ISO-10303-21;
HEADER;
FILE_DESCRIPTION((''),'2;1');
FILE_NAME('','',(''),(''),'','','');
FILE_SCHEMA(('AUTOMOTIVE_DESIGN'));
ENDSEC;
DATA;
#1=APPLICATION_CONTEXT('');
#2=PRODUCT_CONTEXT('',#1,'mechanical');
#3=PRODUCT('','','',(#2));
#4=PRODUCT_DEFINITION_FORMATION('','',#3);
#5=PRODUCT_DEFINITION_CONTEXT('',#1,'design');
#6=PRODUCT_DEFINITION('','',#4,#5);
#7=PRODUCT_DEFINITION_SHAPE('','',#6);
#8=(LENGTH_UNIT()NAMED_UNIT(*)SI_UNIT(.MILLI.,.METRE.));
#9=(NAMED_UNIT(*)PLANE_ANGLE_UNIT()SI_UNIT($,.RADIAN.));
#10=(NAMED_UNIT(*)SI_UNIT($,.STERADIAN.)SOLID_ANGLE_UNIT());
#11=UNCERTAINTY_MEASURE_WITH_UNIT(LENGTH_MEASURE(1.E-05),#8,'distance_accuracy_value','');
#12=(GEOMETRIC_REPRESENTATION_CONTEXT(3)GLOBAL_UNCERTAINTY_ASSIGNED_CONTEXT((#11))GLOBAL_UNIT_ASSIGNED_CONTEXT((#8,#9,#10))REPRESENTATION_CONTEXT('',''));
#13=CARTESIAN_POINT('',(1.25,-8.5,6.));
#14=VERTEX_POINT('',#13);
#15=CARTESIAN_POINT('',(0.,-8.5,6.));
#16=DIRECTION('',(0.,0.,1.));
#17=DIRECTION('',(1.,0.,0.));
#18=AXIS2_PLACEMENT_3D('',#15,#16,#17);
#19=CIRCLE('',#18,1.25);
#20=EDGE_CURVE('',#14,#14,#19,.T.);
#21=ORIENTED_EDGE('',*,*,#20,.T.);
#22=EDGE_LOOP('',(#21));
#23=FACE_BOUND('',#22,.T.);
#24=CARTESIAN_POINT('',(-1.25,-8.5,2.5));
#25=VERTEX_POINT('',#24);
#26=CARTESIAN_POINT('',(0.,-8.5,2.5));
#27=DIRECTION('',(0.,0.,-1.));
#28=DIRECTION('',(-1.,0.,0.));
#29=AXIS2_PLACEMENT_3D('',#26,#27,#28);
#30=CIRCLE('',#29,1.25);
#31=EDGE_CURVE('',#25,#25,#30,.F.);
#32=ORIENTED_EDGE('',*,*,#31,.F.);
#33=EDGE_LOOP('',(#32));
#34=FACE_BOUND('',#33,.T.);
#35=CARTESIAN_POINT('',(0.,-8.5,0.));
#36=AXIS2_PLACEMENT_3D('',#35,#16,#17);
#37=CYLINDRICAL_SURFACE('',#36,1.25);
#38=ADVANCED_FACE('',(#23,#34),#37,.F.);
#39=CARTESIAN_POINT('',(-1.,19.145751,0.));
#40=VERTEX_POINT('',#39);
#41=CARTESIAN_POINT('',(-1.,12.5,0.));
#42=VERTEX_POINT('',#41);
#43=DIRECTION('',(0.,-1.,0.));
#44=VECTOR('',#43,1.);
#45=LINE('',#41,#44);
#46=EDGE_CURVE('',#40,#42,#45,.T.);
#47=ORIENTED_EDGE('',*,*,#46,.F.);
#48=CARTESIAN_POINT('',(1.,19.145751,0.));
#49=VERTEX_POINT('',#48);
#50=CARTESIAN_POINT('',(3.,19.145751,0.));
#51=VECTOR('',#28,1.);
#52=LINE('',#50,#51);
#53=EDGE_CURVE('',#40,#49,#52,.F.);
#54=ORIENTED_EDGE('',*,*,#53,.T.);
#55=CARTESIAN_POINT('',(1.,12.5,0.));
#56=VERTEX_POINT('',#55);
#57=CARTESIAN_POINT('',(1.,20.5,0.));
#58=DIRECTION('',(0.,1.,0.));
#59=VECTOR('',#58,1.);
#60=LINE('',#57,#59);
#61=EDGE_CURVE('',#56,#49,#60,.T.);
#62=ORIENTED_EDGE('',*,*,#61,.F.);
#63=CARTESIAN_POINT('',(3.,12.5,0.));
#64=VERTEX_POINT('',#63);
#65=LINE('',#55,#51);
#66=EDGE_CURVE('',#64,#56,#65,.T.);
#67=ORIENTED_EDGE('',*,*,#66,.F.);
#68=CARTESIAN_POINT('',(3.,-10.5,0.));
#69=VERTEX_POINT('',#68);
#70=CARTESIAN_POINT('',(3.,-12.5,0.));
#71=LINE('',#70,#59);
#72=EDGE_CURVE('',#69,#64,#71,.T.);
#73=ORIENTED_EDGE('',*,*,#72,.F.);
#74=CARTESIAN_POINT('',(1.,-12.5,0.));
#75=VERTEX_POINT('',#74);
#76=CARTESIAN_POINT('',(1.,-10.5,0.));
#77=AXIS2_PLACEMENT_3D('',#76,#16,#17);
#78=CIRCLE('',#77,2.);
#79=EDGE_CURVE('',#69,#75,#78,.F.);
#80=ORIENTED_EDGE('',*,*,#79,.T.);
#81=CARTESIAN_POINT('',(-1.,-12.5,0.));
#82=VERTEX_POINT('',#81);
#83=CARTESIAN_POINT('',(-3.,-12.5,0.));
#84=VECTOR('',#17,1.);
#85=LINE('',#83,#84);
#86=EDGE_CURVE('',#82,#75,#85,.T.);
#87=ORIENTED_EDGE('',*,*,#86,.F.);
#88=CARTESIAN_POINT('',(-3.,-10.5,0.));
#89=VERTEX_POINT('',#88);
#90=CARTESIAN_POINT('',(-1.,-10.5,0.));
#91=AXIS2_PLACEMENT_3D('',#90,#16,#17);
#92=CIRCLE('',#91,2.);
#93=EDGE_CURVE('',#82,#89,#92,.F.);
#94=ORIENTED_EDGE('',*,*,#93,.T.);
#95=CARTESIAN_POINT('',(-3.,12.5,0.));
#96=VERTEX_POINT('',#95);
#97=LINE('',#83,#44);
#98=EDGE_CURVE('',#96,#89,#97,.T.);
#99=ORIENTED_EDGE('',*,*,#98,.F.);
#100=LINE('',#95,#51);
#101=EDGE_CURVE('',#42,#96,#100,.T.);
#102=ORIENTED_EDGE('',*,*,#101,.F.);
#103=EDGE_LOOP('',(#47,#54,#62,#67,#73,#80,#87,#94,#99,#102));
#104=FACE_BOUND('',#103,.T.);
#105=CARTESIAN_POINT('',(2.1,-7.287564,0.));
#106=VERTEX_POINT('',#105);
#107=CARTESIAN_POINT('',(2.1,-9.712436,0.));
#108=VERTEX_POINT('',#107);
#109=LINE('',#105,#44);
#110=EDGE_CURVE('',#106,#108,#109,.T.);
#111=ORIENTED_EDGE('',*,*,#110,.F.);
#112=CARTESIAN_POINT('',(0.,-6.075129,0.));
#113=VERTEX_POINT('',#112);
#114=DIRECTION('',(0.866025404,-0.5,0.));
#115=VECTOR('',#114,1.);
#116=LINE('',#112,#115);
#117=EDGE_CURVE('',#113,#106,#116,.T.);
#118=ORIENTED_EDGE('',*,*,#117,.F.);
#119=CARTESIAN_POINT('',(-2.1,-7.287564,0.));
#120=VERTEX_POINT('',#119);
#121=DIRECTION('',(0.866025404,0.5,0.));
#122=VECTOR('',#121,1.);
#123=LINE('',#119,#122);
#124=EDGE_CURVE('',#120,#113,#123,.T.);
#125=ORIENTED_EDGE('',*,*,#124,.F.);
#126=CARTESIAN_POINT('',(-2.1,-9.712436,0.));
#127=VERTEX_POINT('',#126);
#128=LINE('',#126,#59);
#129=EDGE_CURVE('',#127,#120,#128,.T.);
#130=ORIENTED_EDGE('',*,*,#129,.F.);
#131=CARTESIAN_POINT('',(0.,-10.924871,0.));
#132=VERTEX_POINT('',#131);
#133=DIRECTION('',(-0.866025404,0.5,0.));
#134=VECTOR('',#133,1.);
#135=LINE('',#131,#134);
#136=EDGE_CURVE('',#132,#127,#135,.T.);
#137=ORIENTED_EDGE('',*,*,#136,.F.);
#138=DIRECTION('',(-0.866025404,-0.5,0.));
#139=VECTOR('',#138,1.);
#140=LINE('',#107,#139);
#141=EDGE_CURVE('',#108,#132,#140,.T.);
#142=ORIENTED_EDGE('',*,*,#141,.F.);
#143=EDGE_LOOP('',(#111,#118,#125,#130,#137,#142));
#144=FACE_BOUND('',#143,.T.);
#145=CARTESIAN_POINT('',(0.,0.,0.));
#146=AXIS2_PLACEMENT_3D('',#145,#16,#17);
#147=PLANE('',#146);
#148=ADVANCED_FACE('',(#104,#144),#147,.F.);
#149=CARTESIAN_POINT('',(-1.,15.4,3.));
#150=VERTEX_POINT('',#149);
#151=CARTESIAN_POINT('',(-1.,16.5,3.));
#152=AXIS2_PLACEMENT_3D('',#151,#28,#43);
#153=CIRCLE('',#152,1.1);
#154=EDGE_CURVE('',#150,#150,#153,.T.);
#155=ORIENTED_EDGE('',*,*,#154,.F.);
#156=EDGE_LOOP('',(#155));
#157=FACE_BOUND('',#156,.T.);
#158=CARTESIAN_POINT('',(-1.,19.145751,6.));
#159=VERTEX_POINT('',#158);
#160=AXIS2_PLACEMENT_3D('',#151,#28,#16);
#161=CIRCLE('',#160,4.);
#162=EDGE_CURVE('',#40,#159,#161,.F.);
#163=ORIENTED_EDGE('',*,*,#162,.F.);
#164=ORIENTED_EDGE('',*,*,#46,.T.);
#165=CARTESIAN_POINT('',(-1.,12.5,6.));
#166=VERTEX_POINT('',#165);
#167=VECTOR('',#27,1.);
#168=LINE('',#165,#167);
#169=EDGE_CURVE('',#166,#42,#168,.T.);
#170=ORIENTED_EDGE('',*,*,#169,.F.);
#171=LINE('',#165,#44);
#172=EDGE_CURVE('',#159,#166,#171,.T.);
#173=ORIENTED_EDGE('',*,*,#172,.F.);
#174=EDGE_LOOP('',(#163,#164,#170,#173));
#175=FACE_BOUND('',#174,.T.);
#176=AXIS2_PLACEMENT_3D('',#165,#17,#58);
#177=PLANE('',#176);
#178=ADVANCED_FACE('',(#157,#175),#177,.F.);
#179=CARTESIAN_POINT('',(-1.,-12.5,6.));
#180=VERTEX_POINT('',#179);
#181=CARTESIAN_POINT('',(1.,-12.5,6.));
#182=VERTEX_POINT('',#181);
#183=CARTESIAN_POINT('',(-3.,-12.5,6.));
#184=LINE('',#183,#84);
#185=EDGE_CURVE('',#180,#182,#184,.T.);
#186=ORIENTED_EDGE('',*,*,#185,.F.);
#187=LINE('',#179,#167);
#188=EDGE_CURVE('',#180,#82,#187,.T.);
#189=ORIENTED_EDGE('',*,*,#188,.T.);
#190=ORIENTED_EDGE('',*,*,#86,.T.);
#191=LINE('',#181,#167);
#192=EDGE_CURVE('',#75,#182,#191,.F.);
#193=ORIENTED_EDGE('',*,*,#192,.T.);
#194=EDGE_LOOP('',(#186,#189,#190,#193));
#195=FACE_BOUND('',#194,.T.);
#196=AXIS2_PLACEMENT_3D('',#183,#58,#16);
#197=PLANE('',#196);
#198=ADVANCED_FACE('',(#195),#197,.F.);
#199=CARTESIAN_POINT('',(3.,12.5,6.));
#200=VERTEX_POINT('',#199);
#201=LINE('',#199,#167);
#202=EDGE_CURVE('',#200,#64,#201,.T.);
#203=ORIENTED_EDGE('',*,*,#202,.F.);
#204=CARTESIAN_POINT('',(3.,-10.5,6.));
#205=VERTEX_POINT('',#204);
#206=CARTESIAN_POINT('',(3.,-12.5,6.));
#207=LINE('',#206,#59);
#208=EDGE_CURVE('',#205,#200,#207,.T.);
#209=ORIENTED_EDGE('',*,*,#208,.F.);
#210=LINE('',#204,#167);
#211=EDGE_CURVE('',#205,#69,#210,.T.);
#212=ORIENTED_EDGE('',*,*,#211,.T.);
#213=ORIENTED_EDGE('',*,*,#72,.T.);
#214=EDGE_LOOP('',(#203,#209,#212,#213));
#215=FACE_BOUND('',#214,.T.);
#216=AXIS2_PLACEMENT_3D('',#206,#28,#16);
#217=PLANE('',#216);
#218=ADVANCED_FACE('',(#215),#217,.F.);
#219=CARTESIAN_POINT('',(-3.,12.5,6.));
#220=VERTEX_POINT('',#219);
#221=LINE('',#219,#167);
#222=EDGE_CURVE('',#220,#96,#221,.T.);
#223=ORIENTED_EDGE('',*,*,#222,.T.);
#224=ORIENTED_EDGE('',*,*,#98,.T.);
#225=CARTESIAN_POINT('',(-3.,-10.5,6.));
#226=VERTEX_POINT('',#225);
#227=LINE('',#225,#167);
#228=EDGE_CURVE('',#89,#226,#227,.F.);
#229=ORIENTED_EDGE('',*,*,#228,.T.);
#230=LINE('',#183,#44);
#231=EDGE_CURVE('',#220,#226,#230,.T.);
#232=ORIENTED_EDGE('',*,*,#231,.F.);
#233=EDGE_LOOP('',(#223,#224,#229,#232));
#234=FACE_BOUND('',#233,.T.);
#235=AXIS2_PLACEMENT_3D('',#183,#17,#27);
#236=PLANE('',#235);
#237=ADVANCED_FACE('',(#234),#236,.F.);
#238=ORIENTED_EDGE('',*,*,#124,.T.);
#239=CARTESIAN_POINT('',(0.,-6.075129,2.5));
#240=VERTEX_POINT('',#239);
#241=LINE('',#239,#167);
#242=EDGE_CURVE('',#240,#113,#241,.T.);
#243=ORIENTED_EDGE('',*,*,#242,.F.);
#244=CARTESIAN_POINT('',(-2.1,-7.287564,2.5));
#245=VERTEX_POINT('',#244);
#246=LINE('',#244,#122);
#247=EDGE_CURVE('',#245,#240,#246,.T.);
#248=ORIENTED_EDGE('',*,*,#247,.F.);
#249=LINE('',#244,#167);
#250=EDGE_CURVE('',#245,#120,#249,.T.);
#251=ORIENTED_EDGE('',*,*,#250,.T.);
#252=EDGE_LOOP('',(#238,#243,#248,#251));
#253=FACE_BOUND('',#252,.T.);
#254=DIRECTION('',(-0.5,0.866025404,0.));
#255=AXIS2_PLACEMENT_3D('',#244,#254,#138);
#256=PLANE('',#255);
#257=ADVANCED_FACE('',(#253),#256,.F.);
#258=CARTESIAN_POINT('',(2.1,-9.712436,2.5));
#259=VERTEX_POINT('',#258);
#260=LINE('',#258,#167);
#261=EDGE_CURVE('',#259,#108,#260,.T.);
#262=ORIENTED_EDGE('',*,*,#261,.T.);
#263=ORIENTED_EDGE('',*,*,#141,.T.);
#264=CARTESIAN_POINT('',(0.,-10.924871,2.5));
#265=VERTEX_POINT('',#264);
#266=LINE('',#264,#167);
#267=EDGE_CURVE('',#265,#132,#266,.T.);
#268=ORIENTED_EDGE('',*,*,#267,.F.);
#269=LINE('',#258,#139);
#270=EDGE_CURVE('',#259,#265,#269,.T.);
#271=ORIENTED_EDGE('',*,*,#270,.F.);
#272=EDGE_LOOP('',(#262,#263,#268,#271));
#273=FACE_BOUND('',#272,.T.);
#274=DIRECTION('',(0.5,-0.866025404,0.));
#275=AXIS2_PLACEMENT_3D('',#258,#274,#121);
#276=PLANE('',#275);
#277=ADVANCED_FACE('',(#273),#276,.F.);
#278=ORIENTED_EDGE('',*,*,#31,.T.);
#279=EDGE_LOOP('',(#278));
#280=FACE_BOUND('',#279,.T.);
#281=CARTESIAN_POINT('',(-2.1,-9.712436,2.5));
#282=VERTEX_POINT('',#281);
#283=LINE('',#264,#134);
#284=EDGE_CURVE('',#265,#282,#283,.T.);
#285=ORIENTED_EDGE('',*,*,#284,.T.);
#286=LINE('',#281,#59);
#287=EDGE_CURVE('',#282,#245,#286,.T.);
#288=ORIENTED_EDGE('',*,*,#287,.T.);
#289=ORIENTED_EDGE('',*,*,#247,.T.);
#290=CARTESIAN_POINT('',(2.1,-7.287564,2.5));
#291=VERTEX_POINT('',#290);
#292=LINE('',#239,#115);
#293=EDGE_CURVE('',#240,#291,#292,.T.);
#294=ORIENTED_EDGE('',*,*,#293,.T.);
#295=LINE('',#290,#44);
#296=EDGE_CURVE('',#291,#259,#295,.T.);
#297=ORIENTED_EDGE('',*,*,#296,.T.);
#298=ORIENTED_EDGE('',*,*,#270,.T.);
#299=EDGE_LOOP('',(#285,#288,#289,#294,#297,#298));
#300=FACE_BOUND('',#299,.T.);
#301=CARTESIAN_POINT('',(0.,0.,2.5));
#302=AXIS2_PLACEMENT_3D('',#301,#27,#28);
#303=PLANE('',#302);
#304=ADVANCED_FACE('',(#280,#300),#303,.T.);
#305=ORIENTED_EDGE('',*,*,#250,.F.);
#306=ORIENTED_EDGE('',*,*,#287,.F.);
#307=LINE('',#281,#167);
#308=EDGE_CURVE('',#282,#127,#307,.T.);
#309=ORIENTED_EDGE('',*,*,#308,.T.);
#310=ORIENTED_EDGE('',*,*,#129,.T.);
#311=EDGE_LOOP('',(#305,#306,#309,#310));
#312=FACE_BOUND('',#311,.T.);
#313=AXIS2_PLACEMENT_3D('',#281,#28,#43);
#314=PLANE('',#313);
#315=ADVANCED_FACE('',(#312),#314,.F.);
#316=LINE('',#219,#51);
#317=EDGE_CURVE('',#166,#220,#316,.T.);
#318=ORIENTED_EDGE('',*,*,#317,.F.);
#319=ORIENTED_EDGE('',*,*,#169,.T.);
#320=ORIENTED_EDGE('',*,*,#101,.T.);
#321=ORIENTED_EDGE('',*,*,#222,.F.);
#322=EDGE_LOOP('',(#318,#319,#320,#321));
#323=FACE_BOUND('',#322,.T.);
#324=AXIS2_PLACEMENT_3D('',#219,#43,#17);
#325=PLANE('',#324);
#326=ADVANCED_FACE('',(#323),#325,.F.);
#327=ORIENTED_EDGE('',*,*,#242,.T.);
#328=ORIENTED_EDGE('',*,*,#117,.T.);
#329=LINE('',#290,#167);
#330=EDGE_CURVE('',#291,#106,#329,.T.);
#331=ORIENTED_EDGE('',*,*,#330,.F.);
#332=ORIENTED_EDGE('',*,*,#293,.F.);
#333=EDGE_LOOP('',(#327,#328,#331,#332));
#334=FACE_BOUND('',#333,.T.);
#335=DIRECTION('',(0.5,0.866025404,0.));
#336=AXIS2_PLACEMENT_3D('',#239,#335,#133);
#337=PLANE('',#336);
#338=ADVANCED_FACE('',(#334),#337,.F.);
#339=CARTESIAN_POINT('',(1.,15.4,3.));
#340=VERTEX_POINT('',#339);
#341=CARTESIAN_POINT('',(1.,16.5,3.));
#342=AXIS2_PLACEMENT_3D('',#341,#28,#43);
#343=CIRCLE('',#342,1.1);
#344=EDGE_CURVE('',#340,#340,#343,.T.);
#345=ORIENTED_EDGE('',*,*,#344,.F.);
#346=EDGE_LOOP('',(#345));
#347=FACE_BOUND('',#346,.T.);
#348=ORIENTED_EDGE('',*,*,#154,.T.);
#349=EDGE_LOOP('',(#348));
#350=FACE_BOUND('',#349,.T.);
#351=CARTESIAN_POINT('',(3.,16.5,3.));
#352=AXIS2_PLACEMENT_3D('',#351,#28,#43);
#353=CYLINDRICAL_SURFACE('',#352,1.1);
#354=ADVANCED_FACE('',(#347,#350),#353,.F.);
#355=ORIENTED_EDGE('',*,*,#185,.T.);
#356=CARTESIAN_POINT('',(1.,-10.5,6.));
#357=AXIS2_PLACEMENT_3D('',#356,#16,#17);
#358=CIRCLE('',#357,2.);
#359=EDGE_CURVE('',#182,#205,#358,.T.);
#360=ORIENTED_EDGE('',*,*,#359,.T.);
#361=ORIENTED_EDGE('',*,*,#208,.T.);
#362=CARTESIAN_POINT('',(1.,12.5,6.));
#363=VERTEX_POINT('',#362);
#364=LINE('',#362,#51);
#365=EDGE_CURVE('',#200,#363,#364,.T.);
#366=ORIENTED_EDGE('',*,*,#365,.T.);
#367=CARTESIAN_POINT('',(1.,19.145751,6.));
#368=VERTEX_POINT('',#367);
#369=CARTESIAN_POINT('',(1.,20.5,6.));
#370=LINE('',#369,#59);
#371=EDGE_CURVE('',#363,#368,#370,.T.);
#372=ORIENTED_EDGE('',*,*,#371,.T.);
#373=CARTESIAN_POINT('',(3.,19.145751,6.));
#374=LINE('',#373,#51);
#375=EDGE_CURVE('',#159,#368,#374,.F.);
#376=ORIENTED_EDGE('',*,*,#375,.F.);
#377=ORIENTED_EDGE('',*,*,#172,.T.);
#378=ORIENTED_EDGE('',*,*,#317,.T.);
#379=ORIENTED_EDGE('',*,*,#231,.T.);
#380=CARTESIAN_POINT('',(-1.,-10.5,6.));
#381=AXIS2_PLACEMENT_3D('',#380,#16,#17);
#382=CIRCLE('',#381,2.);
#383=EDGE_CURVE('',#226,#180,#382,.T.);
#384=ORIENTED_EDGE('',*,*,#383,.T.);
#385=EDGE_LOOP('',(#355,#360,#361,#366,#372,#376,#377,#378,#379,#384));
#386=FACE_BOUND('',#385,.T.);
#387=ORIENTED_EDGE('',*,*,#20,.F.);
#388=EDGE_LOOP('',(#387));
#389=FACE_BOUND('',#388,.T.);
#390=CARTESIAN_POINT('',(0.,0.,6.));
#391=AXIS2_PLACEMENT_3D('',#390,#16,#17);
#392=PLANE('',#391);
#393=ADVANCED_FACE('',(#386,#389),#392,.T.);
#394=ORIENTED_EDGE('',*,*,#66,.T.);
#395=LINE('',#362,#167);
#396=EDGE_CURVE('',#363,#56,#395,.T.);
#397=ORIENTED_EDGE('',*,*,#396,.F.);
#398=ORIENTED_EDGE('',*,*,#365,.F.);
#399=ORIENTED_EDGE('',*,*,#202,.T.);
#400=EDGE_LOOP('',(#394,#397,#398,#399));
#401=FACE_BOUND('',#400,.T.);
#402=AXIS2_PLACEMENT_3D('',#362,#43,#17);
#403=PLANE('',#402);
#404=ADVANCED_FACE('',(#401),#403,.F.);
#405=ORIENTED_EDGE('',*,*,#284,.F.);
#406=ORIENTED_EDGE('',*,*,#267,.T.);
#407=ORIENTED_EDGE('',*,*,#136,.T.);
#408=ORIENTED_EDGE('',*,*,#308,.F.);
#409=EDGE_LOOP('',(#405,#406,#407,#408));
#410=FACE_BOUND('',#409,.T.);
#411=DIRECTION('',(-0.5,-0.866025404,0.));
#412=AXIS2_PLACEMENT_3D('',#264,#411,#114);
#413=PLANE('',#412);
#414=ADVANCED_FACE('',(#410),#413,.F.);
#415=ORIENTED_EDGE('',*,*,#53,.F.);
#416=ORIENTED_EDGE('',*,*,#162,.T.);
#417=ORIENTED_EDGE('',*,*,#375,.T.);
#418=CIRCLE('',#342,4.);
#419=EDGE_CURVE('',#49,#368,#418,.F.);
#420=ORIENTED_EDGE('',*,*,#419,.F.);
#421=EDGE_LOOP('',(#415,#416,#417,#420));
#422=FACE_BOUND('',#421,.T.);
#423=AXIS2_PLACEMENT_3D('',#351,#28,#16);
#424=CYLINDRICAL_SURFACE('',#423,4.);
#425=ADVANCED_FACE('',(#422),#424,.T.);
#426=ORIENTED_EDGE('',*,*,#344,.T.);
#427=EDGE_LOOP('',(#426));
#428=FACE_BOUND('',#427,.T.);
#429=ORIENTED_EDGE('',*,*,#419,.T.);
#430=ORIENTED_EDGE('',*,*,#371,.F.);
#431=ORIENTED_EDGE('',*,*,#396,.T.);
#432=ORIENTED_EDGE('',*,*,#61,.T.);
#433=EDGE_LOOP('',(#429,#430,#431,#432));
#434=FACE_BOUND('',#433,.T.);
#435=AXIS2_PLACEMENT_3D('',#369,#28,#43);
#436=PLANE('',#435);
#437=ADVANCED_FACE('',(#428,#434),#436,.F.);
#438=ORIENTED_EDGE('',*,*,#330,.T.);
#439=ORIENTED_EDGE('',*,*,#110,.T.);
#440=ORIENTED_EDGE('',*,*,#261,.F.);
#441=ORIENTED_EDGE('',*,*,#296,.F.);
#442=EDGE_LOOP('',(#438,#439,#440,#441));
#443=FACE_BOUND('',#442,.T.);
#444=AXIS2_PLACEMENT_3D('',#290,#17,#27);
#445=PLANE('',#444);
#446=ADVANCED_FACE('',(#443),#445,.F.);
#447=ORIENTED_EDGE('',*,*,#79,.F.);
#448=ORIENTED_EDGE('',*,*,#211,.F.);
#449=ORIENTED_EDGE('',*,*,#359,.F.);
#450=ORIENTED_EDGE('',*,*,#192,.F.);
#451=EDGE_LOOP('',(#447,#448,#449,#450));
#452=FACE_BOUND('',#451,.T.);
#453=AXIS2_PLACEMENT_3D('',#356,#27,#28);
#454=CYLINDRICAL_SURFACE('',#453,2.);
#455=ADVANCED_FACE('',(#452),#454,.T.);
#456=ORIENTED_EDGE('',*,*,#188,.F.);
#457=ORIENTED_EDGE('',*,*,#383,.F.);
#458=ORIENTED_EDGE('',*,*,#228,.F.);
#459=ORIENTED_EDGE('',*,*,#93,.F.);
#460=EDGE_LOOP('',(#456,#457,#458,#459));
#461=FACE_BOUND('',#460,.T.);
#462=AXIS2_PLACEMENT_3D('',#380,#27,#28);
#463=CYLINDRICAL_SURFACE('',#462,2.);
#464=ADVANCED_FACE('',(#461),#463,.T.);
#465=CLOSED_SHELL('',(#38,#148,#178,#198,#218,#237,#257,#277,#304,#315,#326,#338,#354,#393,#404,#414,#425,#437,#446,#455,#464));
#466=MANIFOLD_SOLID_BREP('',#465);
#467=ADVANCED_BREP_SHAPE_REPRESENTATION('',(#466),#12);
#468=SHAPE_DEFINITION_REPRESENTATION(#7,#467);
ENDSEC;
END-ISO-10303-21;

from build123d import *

# Parameters (mm, degrees)
BOSS_EXTRUDE1_DEPTH = 6
SKETCH2_R           = 1.25
CUT_EXTRUDE1_DEPTH  = 22.56965461
CUT_EXTRUDE2_DEPTH  = 2.5
SKETCH4_R           = 1.1
CUT_EXTRUDE3_DEPTH  = 22.731313812
CUT_EXTRUDE4_DEPTH  = 22.731313812
FILLET1_R           = 2


with BuildPart() as part:
    # Sketch1 → Boss-Extrude1 (new body)
    with BuildSketch(Plane.XY):
        Polygon((-1, 12.5), (-1, 20.5), (1, 20.5), (1, 12.5), (3, 12.5), (3, -12.5), (-3, -12.5), (-3, 12.5), align=None)
    extrude(amount=BOSS_EXTRUDE1_DEPTH)

    # Sketch2 → Cut-Extrude1 (cut, through all)
    with BuildSketch(Plane.XY.offset(6)):
        with Locations((0, -8.5)):
            Circle(SKETCH2_R)
    extrude(amount=-CUT_EXTRUDE1_DEPTH, mode=Mode.SUBTRACT)

    # Sketch3 → Cut-Extrude2 (cut)
    with BuildSketch(Plane(origin=(0, 0, 0), x_dir=(-1, 0, 0), z_dir=(0, 0, -1))):
        Polygon((0, -6.075128869), (-2.1, -7.287564435), (-2.1, -9.712435565), (0, -10.924871131), (2.1, -9.712435565), (2.1, -7.287564435), align=None)
    extrude(amount=-CUT_EXTRUDE2_DEPTH, mode=Mode.SUBTRACT)

    # Sketch4 → Cut-Extrude3 (cut, through all)
    with BuildSketch(Plane.ZY.offset(1)):
        with Locations(Location((3, 16.5, 0), (0, 0, 270))):
            Circle(SKETCH4_R)
    extrude(amount=-CUT_EXTRUDE3_DEPTH, mode=Mode.SUBTRACT)

    # Sketch5 → Cut-Extrude4 (cut, through all)
    with BuildSketch(Plane.ZY.offset(1)):
        with BuildLine():
            Line((6, 20.5), (3, 20.5))
            ThreePointArc((3, 20.5), (4.645751311, 20.145751311), (6, 19.145751311))
            Line((6, 19.145751311), (6, 20.5))
        make_face()
        with BuildLine():
            Line((0, 20.5), (0, 19.145751311))
            ThreePointArc((0, 19.145751311), (1.354248689, 20.145751311), (3, 20.5))
            Line((3, 20.5), (0, 20.5))
        make_face()
    extrude(amount=-CUT_EXTRUDE4_DEPTH, mode=Mode.SUBTRACT)

    # Fillet1
    fillet1_edges = [part.edges().sort_by_distance(p)[0] for p in [
        (3, -12.5, 3),
        (-3, -12.5, 3),
    ]]
    fillet(fillet1_edges, radius=FILLET1_R)


solid = part.part
